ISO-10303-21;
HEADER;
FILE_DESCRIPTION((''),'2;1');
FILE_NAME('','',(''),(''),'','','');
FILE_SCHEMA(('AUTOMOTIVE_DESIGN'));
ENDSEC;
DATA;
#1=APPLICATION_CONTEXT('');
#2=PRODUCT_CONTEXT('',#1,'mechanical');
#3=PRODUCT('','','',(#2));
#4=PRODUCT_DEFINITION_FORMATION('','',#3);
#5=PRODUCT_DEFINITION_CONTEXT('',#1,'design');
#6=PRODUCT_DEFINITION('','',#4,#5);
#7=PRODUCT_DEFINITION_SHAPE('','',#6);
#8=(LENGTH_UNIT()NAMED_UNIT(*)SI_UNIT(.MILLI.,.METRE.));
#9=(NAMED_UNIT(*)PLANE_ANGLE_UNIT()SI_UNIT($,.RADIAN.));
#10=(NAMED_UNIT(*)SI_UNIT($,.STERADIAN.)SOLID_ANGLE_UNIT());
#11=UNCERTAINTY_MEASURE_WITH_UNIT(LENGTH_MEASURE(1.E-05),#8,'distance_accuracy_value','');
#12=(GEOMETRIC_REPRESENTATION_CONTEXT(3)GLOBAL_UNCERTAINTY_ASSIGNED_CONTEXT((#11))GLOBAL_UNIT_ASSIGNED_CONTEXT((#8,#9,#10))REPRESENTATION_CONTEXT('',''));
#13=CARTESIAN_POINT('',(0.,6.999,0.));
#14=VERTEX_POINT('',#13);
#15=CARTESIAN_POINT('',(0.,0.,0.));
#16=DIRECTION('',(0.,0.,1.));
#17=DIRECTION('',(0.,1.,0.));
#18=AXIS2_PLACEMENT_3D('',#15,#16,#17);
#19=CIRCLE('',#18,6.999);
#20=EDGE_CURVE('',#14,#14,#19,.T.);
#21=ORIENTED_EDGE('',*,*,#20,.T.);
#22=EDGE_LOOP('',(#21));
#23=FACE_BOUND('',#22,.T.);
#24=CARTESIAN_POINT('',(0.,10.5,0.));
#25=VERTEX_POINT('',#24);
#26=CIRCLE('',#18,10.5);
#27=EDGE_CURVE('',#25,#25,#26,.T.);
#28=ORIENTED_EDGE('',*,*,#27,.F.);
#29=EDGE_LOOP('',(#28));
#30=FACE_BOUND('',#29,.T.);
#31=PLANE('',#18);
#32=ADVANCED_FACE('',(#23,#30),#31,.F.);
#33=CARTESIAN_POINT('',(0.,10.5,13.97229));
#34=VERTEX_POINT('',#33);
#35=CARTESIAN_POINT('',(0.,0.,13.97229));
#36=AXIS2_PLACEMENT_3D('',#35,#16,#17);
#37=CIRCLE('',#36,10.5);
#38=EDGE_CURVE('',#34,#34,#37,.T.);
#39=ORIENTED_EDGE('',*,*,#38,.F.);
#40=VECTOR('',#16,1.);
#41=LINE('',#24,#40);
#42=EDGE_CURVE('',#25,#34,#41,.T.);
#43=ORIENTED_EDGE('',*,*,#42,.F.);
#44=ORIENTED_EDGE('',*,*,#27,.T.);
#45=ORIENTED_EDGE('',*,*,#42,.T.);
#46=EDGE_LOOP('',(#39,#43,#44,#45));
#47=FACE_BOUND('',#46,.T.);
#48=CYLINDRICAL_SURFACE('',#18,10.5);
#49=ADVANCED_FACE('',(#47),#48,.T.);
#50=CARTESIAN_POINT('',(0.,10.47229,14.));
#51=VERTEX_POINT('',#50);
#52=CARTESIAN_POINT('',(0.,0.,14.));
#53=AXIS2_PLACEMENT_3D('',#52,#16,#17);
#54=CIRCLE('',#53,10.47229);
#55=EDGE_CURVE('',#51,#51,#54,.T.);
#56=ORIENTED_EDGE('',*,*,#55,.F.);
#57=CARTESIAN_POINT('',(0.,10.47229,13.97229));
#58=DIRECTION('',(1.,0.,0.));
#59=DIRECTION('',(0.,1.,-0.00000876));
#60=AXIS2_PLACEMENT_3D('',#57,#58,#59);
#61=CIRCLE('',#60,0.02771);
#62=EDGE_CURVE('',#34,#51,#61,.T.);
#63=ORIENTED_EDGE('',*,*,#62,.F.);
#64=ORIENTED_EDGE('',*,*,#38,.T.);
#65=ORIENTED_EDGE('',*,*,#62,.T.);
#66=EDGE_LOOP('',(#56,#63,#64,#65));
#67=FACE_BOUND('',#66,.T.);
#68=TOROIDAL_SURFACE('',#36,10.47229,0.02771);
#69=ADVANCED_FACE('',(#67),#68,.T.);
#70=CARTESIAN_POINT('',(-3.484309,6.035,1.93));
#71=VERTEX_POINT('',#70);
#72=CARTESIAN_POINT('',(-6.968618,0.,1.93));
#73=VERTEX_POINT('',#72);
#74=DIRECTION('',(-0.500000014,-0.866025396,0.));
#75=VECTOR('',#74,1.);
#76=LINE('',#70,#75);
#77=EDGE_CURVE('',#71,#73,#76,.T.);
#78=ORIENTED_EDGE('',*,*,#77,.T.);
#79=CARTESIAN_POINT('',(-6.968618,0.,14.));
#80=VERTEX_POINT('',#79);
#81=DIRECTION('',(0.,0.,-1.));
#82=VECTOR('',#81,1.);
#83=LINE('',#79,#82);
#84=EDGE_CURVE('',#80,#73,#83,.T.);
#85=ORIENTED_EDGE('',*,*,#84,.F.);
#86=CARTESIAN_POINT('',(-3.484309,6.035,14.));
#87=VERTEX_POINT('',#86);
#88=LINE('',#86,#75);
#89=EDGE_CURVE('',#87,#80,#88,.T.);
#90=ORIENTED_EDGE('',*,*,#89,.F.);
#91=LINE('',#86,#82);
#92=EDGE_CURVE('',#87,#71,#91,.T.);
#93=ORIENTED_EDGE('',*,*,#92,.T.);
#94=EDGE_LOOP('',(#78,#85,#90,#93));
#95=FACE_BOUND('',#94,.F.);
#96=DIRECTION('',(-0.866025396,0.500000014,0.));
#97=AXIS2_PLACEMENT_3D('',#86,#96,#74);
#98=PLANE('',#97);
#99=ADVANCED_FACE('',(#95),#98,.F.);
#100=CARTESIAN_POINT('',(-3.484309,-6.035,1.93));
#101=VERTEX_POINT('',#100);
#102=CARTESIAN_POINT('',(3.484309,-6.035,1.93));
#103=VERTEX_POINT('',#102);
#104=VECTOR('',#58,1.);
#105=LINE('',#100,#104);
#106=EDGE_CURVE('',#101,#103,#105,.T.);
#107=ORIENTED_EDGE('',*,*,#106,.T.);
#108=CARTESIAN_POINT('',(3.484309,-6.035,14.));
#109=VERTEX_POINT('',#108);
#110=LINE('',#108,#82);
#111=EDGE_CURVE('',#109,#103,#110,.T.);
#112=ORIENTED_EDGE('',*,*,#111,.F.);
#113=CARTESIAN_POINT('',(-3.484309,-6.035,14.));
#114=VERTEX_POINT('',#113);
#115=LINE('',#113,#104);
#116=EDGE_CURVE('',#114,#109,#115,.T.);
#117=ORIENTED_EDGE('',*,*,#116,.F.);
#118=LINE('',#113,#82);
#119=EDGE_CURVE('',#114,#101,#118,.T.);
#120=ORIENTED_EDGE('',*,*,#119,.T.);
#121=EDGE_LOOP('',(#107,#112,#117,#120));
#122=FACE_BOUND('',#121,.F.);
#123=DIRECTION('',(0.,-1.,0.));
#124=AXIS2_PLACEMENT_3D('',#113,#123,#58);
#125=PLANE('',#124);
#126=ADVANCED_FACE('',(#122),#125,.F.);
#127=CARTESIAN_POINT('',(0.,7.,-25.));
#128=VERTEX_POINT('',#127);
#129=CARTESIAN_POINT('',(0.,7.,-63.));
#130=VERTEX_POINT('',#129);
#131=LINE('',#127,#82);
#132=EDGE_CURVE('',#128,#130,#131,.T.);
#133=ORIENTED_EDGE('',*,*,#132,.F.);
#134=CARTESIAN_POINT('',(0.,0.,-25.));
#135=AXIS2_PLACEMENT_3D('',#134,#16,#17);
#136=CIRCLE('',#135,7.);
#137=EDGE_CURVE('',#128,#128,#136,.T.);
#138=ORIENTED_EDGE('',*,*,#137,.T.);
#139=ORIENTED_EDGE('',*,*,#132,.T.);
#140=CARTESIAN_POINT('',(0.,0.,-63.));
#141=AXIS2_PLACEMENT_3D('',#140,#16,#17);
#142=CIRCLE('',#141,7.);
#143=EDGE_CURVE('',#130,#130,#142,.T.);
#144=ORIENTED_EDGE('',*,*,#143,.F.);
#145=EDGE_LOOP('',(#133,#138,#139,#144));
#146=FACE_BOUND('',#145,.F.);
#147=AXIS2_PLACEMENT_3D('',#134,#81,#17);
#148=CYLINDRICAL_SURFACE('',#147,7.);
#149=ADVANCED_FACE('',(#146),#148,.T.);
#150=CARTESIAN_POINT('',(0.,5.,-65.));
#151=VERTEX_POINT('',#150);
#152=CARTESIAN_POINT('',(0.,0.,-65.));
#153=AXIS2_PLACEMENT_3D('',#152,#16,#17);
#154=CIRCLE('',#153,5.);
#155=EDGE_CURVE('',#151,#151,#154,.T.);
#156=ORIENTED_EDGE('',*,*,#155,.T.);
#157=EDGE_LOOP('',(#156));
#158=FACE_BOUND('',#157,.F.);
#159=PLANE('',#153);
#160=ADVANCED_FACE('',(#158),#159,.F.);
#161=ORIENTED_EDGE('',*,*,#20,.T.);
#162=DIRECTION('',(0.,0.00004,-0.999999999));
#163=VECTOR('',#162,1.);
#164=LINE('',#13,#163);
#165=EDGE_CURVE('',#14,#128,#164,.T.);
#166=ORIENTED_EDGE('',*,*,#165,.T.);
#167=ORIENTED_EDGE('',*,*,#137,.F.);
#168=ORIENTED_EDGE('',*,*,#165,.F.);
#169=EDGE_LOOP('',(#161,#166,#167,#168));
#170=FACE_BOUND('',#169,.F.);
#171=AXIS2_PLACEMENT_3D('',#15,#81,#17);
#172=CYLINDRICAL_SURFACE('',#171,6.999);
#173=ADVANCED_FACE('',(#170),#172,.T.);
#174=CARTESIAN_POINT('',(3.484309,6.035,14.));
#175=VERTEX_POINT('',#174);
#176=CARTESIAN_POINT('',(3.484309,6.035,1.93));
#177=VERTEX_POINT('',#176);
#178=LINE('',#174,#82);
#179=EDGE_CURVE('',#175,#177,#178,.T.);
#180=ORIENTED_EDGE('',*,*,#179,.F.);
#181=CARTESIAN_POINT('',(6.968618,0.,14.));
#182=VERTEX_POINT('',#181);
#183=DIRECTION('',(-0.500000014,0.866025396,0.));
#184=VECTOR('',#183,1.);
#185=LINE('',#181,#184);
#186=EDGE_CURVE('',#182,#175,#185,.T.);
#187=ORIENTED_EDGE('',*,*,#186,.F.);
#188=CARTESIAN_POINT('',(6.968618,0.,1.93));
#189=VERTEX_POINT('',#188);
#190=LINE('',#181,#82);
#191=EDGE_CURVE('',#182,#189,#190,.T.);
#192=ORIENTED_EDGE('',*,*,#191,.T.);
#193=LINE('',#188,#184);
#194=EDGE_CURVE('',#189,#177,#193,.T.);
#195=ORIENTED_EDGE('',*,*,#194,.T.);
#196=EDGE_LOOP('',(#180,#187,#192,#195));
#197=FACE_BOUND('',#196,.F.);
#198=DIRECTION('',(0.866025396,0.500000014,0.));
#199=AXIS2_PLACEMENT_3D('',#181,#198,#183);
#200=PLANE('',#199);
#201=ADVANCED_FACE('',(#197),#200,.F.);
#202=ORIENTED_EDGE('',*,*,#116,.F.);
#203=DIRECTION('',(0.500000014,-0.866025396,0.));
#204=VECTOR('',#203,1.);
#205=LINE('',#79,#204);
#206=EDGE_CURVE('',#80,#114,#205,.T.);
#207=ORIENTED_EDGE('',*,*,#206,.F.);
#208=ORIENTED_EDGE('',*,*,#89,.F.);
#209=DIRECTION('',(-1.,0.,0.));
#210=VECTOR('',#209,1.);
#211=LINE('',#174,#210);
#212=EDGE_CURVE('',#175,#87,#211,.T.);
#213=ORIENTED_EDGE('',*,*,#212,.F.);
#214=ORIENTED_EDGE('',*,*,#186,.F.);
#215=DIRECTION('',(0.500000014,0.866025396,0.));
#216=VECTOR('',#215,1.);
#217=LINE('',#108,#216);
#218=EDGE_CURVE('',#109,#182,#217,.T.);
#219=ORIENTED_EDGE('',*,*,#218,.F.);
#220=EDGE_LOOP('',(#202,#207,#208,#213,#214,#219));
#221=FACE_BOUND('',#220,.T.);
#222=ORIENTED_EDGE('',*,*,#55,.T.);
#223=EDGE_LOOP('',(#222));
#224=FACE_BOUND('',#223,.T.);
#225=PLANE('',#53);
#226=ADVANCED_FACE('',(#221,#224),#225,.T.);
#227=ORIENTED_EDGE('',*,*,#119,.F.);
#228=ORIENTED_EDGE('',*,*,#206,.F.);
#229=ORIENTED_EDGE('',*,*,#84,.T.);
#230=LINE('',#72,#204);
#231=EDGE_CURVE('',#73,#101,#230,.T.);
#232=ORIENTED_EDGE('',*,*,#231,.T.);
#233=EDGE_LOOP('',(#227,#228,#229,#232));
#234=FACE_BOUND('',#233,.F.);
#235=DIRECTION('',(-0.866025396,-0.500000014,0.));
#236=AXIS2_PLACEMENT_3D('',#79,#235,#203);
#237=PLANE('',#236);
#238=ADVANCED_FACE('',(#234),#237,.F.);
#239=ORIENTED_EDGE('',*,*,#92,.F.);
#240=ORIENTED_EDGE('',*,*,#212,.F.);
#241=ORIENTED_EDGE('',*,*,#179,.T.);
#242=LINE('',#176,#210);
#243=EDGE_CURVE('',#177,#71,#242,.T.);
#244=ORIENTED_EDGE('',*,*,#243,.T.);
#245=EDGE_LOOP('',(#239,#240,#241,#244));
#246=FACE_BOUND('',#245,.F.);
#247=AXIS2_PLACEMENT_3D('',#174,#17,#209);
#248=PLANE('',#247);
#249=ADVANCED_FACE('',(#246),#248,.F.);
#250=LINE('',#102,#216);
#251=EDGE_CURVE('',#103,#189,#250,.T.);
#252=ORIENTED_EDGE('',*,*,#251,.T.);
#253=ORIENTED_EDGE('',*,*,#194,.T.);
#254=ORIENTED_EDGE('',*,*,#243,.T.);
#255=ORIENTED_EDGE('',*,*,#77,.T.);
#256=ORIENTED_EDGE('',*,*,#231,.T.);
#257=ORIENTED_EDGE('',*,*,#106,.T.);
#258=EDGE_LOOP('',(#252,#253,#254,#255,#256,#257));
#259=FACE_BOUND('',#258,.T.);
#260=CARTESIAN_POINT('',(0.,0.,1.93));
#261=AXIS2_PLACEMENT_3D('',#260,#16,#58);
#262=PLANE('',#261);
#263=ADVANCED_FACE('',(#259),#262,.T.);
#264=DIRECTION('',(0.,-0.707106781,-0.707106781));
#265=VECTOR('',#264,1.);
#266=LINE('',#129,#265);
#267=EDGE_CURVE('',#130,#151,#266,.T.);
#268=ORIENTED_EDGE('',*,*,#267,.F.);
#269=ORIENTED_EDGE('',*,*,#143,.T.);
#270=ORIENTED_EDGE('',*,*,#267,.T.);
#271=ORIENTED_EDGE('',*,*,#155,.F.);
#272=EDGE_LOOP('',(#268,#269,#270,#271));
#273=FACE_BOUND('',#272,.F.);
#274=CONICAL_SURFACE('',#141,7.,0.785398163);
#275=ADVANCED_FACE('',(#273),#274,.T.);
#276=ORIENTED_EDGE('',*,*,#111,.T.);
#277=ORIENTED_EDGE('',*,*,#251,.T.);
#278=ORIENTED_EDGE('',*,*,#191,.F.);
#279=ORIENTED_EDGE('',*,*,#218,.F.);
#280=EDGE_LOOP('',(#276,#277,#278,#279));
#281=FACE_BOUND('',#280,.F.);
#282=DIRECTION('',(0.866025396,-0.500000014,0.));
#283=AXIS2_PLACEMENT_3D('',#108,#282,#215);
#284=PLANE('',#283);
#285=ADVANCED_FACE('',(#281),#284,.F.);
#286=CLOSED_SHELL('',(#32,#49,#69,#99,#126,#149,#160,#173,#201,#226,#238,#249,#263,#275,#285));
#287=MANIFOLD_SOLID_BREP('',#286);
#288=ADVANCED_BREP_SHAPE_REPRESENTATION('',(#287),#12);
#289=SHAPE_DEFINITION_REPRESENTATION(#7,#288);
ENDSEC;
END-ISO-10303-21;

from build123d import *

# Parameters (mm, degrees)
POCKET_DEPTH = 12.07


with BuildPart() as part:
    # Sketch → Revolve (revolve)
    with BuildSketch(Plane.YZ):
        with BuildLine():
            Line((6.999, 0), (10.5, 0))
            Line((10.5, 0), (10.5, 13.97229))
            ThreePointArc((10.5, 13.97229), (10.491884, 13.991884), (10.47229, 14))
            Line((10.47229, 14), (0, 14))
            Line((0, -65), (0, 14))
            Line((5, -65), (0, -65))
            Line((7, -63), (5, -65))
            Line((7, -25), (7, -63))
            Line((6.999, 0), (7, -25))
        make_face()
    revolve(axis=Axis((0, 0, 0), (0, 0, 1)))

    # Sketch001 → Pocket (cut)
    with BuildSketch(Plane.XY.offset(14)):
        Polygon((6.968618, 0), (3.484309, 6.035), (-3.484309, 6.035), (-6.968618, 0), (-3.484309, -6.035), (3.484309, -6.035), align=None)
    extrude(amount=-POCKET_DEPTH, mode=Mode.SUBTRACT)


solid = part.part
